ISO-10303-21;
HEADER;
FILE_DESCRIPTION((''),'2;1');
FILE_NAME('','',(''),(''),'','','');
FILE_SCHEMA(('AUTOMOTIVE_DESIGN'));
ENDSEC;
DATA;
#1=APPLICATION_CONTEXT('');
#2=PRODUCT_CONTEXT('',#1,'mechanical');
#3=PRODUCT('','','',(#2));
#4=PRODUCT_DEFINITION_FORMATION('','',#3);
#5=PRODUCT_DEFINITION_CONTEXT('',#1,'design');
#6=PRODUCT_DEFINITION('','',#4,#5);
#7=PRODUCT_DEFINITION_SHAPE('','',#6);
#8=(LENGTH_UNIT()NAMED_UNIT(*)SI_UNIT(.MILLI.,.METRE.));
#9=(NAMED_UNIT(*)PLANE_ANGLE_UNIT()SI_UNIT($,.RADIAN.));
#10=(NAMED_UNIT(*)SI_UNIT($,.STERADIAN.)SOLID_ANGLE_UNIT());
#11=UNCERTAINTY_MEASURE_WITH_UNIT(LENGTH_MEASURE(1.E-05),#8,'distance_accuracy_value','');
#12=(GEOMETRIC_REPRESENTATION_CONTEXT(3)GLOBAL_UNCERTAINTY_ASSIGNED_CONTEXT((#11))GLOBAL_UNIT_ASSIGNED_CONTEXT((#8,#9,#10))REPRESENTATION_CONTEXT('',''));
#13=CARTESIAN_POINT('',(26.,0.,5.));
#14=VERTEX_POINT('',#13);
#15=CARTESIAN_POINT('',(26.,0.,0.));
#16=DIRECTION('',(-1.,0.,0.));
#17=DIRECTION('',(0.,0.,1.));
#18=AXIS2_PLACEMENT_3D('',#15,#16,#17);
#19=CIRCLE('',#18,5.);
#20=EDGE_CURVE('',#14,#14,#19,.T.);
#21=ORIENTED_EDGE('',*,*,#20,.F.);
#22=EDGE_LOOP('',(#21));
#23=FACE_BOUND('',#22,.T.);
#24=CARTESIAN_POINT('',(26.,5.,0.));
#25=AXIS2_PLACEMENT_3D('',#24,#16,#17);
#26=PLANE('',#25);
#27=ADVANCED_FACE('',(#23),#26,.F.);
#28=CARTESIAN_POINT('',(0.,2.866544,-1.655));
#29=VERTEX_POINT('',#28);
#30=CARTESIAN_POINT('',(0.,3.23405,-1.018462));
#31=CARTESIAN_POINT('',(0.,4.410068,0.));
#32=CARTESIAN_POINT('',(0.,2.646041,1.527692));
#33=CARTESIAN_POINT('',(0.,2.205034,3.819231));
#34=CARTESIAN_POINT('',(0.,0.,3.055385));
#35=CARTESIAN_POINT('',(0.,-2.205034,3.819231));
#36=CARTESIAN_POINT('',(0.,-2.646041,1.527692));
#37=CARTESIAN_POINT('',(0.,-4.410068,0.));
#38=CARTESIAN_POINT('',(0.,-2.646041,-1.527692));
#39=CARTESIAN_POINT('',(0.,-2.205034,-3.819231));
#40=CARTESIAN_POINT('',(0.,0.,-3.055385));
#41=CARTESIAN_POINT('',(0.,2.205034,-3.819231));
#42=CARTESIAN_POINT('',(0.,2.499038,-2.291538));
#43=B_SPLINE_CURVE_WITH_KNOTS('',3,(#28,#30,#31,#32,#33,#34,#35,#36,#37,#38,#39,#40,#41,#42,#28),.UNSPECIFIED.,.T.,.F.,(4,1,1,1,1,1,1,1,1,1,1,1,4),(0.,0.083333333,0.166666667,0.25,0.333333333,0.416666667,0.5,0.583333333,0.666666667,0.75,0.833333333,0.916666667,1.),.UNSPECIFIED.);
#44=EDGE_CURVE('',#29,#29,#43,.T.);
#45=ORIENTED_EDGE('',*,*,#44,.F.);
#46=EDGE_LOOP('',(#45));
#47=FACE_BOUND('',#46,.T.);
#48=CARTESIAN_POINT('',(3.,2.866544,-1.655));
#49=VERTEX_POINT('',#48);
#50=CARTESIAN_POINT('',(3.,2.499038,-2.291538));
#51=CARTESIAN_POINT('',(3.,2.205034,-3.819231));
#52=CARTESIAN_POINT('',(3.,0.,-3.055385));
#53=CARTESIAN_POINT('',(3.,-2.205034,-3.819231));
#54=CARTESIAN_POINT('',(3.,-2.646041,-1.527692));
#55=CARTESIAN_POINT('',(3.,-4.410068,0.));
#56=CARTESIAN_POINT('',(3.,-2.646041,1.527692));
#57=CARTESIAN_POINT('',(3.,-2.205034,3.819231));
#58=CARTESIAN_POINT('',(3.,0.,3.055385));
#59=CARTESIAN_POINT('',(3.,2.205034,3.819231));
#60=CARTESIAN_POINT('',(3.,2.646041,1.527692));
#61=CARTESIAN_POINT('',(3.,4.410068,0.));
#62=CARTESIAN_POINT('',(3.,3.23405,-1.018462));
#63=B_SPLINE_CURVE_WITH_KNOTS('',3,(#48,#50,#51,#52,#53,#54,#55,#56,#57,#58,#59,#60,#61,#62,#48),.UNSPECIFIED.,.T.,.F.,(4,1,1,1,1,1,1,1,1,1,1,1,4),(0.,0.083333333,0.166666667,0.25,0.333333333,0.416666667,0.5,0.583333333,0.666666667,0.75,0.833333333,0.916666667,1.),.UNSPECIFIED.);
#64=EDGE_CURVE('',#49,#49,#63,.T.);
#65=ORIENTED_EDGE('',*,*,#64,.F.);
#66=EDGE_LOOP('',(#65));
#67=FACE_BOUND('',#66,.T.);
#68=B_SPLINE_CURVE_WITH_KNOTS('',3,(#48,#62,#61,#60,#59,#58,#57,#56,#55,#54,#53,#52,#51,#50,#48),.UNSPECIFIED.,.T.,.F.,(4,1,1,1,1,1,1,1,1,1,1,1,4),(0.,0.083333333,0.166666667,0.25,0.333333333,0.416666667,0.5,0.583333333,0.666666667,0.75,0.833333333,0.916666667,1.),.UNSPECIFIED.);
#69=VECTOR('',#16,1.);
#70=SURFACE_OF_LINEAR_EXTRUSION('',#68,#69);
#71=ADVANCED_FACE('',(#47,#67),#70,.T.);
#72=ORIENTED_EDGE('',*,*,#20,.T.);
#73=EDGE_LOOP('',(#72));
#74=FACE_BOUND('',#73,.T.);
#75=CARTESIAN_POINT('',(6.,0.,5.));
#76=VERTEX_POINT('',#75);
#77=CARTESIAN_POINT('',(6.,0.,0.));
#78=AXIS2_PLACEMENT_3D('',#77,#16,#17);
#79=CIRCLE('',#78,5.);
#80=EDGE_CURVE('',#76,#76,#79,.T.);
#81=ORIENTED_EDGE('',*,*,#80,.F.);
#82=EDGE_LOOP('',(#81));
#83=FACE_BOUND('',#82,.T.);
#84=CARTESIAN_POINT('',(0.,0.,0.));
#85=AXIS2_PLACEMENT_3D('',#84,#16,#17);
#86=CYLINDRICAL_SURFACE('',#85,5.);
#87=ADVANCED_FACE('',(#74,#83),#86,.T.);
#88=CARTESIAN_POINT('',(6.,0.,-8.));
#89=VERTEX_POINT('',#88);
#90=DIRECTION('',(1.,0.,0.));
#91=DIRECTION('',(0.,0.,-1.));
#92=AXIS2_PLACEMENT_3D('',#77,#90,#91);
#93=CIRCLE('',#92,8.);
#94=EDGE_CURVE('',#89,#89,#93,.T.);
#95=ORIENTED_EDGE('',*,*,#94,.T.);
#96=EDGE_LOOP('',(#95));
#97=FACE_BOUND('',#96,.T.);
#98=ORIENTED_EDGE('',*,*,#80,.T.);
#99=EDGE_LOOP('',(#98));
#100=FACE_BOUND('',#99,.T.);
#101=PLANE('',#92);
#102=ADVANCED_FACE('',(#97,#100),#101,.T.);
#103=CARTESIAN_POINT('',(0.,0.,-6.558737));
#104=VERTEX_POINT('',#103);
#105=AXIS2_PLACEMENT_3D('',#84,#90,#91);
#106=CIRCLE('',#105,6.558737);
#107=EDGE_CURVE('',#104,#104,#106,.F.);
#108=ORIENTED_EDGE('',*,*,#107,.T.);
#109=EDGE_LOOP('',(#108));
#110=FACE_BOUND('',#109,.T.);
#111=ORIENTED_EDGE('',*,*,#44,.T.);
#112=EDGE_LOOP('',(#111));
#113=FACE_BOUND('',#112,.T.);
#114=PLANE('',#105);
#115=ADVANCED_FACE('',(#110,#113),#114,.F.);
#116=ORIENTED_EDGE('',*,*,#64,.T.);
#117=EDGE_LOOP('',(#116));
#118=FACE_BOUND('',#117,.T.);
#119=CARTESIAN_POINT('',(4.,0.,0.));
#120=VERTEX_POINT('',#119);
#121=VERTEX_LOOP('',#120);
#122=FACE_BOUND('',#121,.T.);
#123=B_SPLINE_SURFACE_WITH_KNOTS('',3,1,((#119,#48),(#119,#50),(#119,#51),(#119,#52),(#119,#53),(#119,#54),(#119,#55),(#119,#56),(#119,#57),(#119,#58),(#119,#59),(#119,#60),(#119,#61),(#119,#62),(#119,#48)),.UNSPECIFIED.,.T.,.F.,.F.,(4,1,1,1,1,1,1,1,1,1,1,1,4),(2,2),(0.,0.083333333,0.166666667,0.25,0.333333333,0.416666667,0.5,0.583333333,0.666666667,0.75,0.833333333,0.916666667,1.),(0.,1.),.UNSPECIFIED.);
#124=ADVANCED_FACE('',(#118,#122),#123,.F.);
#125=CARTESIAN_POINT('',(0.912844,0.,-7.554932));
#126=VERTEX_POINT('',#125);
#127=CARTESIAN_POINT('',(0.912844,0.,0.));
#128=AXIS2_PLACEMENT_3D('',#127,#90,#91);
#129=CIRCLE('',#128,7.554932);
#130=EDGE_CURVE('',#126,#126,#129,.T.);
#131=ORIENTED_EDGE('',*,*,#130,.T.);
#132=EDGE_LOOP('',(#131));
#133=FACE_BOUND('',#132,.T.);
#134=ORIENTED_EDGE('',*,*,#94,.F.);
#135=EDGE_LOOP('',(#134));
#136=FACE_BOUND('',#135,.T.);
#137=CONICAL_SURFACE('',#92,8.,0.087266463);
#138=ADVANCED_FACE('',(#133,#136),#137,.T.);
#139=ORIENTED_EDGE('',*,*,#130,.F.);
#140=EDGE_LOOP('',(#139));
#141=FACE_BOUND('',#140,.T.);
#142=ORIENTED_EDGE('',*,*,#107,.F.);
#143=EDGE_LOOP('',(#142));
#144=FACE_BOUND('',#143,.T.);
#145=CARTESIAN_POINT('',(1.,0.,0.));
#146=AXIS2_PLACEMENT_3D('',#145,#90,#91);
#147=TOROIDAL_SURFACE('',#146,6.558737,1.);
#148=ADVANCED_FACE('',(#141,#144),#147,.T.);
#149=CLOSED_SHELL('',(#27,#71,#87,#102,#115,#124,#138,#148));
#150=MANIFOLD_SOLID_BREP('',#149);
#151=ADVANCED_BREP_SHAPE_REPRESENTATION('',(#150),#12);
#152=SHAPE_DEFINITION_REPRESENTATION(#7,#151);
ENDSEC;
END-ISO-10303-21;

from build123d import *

# Parameters (mm, degrees)
SKETCH1_R      = 8
BASEHEAD_DEPTH = 6
BASEHEAD_DRAFT = -5
SKETCH8_W      = 20
SKETCH8_H      = 5
SOCKET_DEPTH   = 3
HEADFILLET2_R  = 1


with BuildPart() as part:
    # Sketch1 → BaseHead (with draft: the straight prism first)
    with BuildSketch(Plane(origin=(6, 0, 0), x_dir=(0, 0, -1), z_dir=(1, 0, 0))):
        Circle(SKETCH1_R)
    extrude(amount=-BASEHEAD_DEPTH)
    # BaseHead: the draft: its side faces are tilted about the plane it starts from
    basehead_sides = [part.faces().sort_by_distance(p)[0] for p in [
        (3, 0, 8),
    ]]
    draft(basehead_sides, Plane(origin=(6, 0, 0), x_dir=(0, 0, -1), z_dir=(1, 0, 0)), BASEHEAD_DRAFT)

    # Sketch8 → Revolve1 (revolve)
    with BuildSketch(Plane.XY, mode=Mode.PRIVATE) as revolve1_sk:
        with Locations((16, 2.5)):
            Rectangle(SKETCH8_W, SKETCH8_H)
    revolve(revolve1_sk.sketch.rotate(Axis((0, 0, 0), (1, 0, 0)), 90), axis=Axis((0, 0, 0), (1, 0, 0)))

    # Sketch4 → Socket (cut)
    with BuildSketch(Plane(origin=(0, 0, 0), x_dir=(0, 0, -1), z_dir=(1, 0, 0))):
        with BuildLine():
            add(Edge.make_bspline(
                [(1.655, 2.866544087), (2.291538462, 2.499038434), (3.819230769, 2.205033913), (3.055384615, 0), (3.819230769, -2.205033913), (1.527692308, -2.646040695), (0, -4.410067825), (-1.527692308, -2.646040695), (-3.819230769, -2.205033913), (-3.055384615, 0), (-3.819230769, 2.205033913), (-1.527692308, 2.646040695), (0, 4.410067825), (1.018461538, 3.234049739), (1.655, 2.866544087)],
                knots=[0, 0, 0, 0, 0.083333333, 0.166666667, 0.25, 0.333333333, 0.416666667, 0.5, 0.583333333, 0.666666667, 0.75, 0.833333333, 0.916666667, 1, 1, 1, 1], degree=3))
        make_face()
    extrude(amount=SOCKET_DEPTH, mode=Mode.SUBTRACT)

    # Sketch5 → Cut-Loft1 section 0
    with BuildSketch(Plane.ZY.offset(-3), mode=Mode.PRIVATE) as cut_loft1_s0:
        with BuildLine():
            add(Edge.make_bspline(
                [(-1.655, 2.866544087), (-2.291538462, 2.499038434), (-3.819230769, 2.205033913), (-3.055384615, 0), (-3.819230769, -2.205033913), (-1.527692308, -2.646040695), (0, -4.410067825), (1.527692308, -2.646040695), (3.819230769, -2.205033913), (3.055384615, 0), (3.819230769, 2.205033913), (1.527692308, 2.646040695), (0, 4.410067825), (-1.018461538, 3.234049739), (-1.655, 2.866544087)],
                knots=[0, 0, 0, 0, 0.083333333, 0.166666667, 0.25, 0.333333333, 0.416666667, 0.5, 0.583333333, 0.666666667, 0.75, 0.833333333, 0.916666667, 1, 1, 1, 1], degree=3))
        make_face()
    loft([Vertex(4, 0, 0), cut_loft1_s0.sketch], mode=Mode.SUBTRACT)

    # HeadFillet2
    headfillet2_edges = [part.edges().sort_by_distance(p)[0] for p in [
        (0, 0, 7.475068019),
    ]]
    fillet(headfillet2_edges, radius=HEADFILLET2_R)


solid = part.part
